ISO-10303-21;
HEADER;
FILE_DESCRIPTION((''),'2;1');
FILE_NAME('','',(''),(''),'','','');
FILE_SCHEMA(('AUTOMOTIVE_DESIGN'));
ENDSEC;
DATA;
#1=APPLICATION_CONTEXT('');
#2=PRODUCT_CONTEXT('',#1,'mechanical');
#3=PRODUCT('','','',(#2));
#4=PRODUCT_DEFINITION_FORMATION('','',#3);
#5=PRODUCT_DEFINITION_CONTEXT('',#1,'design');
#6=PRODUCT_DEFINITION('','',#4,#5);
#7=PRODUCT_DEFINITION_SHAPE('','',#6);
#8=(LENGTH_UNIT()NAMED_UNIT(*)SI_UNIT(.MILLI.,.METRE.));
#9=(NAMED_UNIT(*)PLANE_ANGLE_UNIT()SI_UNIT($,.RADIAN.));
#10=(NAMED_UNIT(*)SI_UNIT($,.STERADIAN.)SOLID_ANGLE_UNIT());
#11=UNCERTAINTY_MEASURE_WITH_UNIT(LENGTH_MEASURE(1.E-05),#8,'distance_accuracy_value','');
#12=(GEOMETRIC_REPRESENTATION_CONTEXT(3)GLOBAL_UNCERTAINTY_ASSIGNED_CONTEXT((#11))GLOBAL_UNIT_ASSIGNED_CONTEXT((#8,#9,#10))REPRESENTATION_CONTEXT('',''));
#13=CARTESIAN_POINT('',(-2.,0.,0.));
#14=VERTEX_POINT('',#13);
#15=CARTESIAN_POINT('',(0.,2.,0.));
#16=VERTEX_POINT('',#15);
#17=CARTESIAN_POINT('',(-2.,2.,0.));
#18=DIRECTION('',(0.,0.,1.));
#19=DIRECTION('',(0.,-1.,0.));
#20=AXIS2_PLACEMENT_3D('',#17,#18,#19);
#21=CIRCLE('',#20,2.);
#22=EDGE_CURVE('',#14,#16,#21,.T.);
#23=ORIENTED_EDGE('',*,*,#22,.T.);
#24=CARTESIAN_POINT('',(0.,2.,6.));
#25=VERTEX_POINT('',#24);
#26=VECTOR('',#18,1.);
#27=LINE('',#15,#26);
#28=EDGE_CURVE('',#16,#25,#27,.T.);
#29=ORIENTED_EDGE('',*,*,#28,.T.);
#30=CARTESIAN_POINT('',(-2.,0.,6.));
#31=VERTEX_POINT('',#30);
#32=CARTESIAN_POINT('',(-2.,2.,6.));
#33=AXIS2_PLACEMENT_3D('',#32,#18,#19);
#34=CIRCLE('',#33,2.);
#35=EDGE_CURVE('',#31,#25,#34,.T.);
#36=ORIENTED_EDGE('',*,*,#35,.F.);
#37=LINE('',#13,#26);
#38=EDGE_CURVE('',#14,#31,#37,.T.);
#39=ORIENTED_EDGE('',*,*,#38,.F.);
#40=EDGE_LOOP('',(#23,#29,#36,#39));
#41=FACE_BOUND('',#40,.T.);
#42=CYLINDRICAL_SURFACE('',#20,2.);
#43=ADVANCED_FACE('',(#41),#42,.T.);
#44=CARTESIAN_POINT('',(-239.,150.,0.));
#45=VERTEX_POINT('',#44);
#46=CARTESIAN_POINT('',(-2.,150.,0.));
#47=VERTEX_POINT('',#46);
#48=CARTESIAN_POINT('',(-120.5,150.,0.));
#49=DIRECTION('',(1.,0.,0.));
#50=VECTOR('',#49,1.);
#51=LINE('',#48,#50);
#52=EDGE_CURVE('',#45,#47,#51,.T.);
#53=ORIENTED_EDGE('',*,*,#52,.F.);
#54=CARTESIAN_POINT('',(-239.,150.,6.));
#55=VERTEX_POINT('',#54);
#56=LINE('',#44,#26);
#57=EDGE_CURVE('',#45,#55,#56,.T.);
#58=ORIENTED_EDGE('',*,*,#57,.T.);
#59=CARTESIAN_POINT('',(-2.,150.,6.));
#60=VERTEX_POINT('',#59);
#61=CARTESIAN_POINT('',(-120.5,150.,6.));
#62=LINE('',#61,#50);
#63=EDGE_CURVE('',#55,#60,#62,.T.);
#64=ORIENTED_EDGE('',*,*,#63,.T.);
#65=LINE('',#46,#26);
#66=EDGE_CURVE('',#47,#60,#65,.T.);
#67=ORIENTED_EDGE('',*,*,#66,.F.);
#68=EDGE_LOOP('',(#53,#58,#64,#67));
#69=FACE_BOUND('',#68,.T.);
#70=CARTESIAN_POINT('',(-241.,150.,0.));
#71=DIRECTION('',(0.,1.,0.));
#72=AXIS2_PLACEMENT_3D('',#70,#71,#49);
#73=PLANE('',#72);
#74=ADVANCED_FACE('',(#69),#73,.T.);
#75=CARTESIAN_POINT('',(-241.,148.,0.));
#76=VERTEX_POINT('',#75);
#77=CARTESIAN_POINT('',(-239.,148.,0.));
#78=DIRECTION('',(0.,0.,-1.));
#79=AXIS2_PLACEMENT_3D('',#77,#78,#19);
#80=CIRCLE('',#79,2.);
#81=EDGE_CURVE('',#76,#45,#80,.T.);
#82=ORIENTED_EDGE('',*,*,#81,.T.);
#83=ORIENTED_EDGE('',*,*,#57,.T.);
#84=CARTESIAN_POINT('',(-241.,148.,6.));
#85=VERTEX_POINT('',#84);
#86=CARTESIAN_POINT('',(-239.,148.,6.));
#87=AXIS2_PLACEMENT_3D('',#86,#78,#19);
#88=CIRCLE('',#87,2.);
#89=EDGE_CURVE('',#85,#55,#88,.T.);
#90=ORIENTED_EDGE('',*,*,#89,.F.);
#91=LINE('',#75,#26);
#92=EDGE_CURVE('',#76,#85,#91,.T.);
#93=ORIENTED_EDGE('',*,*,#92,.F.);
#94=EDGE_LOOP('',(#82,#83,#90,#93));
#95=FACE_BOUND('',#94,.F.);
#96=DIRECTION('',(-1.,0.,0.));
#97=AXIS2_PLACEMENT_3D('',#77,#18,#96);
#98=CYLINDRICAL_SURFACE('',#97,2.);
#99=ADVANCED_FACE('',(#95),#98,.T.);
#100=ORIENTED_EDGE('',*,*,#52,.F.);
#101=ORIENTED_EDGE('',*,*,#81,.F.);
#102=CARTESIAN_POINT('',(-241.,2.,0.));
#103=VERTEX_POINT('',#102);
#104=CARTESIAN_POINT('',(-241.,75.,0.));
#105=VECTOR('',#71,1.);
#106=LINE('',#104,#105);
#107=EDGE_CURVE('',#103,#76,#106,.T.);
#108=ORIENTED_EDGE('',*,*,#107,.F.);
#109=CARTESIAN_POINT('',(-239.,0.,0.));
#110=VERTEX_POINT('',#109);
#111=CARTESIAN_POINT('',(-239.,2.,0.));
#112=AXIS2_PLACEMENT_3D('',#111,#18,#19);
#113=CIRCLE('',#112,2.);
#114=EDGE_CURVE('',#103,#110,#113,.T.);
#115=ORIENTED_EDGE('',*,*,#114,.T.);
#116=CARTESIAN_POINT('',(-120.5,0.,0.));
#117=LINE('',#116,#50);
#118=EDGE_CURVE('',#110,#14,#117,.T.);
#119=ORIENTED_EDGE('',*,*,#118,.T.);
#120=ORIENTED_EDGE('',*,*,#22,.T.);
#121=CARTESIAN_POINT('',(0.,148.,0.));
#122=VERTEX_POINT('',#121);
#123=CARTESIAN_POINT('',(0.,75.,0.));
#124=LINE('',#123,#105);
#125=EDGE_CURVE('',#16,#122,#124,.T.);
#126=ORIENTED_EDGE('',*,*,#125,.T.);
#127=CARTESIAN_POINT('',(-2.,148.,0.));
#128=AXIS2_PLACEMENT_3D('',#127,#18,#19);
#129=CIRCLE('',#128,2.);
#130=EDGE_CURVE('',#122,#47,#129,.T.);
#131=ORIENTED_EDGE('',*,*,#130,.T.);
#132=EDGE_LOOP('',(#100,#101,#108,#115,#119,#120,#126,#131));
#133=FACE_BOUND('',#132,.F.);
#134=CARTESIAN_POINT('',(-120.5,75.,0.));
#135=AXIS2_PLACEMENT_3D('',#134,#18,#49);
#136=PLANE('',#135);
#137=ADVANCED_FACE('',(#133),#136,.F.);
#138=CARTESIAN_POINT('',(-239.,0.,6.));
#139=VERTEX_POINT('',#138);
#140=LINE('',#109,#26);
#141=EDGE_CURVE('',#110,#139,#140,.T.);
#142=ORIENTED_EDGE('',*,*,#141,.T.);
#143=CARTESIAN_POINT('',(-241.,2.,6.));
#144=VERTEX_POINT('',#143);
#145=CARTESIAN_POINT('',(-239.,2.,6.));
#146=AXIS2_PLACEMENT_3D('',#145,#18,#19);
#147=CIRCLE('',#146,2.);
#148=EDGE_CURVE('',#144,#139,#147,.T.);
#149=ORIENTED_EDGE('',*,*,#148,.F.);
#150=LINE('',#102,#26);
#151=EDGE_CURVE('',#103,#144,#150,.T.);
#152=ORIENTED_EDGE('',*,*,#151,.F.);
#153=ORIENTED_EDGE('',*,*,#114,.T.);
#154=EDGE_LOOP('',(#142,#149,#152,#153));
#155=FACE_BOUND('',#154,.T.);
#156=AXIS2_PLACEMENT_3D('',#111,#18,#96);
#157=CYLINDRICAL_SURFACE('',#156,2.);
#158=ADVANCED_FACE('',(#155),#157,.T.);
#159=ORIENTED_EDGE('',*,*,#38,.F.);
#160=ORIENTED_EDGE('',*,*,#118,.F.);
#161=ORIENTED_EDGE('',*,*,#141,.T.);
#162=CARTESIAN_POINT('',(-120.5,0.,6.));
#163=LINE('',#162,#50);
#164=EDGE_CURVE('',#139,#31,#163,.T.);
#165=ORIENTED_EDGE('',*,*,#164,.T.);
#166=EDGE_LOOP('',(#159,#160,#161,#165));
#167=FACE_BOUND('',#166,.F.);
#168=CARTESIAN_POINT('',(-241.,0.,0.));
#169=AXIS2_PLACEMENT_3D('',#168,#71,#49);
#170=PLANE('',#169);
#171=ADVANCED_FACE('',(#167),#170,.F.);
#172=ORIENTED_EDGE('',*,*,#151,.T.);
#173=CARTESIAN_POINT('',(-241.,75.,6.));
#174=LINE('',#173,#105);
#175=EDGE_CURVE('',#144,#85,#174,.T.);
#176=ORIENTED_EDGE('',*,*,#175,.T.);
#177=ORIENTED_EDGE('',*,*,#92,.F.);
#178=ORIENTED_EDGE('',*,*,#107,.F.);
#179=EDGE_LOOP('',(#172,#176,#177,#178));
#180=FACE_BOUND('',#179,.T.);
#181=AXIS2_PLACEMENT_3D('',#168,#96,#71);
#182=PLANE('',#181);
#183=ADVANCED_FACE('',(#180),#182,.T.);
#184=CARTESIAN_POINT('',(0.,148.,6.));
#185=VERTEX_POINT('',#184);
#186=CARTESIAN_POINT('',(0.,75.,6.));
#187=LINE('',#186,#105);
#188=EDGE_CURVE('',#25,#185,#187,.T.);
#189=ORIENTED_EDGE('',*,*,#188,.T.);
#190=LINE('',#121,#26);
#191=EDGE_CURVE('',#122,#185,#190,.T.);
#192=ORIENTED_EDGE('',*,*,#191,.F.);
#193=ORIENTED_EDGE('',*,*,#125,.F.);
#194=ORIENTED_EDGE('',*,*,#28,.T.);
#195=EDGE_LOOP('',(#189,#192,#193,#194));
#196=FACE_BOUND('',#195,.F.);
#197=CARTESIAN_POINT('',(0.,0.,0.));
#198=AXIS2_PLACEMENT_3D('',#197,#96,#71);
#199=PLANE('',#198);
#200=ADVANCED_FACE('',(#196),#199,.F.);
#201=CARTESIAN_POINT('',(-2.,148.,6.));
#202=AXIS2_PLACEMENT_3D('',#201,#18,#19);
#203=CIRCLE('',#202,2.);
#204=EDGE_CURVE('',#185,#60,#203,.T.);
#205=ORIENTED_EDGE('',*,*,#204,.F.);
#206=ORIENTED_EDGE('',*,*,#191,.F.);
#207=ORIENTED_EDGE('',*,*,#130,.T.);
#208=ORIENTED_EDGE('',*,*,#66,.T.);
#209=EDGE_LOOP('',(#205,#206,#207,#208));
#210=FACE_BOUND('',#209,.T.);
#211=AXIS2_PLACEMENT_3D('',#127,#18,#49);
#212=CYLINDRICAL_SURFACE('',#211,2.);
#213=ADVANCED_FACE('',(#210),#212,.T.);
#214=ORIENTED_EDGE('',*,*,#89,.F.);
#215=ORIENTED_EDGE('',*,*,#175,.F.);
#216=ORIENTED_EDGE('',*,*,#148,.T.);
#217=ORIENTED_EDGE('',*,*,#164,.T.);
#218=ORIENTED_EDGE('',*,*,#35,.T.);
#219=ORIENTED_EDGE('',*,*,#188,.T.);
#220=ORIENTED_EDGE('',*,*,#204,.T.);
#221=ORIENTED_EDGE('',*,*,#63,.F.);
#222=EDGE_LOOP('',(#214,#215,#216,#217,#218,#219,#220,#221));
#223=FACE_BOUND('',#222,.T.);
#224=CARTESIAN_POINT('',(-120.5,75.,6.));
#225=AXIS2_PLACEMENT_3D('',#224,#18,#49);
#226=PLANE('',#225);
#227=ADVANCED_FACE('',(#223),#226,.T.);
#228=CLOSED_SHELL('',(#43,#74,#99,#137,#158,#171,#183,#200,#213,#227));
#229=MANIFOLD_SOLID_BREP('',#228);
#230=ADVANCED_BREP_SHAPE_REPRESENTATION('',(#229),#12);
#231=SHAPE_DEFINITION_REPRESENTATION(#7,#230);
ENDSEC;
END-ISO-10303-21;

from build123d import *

# Parameters (mm, degrees)
SKETCH_W  = 241
SKETCH_H  = 150
PAD_DEPTH = 6
FILLET_R  = 2


with BuildPart() as part:
    # Sketch → Pad (new body)
    with BuildSketch(Plane.XY):
        with Locations((-120.5, 75)):
            Rectangle(SKETCH_W, SKETCH_H)
    extrude(amount=PAD_DEPTH)

    # Fillet
    fillet_edges = [part.edges().sort_by_distance(p)[0] for p in [
        (0, 0, 3),
        (-241, 0, 3),
        (0, 150, 3),
        (-241, 150, 3),
    ]]
    fillet(fillet_edges, radius=FILLET_R)


solid = part.part
